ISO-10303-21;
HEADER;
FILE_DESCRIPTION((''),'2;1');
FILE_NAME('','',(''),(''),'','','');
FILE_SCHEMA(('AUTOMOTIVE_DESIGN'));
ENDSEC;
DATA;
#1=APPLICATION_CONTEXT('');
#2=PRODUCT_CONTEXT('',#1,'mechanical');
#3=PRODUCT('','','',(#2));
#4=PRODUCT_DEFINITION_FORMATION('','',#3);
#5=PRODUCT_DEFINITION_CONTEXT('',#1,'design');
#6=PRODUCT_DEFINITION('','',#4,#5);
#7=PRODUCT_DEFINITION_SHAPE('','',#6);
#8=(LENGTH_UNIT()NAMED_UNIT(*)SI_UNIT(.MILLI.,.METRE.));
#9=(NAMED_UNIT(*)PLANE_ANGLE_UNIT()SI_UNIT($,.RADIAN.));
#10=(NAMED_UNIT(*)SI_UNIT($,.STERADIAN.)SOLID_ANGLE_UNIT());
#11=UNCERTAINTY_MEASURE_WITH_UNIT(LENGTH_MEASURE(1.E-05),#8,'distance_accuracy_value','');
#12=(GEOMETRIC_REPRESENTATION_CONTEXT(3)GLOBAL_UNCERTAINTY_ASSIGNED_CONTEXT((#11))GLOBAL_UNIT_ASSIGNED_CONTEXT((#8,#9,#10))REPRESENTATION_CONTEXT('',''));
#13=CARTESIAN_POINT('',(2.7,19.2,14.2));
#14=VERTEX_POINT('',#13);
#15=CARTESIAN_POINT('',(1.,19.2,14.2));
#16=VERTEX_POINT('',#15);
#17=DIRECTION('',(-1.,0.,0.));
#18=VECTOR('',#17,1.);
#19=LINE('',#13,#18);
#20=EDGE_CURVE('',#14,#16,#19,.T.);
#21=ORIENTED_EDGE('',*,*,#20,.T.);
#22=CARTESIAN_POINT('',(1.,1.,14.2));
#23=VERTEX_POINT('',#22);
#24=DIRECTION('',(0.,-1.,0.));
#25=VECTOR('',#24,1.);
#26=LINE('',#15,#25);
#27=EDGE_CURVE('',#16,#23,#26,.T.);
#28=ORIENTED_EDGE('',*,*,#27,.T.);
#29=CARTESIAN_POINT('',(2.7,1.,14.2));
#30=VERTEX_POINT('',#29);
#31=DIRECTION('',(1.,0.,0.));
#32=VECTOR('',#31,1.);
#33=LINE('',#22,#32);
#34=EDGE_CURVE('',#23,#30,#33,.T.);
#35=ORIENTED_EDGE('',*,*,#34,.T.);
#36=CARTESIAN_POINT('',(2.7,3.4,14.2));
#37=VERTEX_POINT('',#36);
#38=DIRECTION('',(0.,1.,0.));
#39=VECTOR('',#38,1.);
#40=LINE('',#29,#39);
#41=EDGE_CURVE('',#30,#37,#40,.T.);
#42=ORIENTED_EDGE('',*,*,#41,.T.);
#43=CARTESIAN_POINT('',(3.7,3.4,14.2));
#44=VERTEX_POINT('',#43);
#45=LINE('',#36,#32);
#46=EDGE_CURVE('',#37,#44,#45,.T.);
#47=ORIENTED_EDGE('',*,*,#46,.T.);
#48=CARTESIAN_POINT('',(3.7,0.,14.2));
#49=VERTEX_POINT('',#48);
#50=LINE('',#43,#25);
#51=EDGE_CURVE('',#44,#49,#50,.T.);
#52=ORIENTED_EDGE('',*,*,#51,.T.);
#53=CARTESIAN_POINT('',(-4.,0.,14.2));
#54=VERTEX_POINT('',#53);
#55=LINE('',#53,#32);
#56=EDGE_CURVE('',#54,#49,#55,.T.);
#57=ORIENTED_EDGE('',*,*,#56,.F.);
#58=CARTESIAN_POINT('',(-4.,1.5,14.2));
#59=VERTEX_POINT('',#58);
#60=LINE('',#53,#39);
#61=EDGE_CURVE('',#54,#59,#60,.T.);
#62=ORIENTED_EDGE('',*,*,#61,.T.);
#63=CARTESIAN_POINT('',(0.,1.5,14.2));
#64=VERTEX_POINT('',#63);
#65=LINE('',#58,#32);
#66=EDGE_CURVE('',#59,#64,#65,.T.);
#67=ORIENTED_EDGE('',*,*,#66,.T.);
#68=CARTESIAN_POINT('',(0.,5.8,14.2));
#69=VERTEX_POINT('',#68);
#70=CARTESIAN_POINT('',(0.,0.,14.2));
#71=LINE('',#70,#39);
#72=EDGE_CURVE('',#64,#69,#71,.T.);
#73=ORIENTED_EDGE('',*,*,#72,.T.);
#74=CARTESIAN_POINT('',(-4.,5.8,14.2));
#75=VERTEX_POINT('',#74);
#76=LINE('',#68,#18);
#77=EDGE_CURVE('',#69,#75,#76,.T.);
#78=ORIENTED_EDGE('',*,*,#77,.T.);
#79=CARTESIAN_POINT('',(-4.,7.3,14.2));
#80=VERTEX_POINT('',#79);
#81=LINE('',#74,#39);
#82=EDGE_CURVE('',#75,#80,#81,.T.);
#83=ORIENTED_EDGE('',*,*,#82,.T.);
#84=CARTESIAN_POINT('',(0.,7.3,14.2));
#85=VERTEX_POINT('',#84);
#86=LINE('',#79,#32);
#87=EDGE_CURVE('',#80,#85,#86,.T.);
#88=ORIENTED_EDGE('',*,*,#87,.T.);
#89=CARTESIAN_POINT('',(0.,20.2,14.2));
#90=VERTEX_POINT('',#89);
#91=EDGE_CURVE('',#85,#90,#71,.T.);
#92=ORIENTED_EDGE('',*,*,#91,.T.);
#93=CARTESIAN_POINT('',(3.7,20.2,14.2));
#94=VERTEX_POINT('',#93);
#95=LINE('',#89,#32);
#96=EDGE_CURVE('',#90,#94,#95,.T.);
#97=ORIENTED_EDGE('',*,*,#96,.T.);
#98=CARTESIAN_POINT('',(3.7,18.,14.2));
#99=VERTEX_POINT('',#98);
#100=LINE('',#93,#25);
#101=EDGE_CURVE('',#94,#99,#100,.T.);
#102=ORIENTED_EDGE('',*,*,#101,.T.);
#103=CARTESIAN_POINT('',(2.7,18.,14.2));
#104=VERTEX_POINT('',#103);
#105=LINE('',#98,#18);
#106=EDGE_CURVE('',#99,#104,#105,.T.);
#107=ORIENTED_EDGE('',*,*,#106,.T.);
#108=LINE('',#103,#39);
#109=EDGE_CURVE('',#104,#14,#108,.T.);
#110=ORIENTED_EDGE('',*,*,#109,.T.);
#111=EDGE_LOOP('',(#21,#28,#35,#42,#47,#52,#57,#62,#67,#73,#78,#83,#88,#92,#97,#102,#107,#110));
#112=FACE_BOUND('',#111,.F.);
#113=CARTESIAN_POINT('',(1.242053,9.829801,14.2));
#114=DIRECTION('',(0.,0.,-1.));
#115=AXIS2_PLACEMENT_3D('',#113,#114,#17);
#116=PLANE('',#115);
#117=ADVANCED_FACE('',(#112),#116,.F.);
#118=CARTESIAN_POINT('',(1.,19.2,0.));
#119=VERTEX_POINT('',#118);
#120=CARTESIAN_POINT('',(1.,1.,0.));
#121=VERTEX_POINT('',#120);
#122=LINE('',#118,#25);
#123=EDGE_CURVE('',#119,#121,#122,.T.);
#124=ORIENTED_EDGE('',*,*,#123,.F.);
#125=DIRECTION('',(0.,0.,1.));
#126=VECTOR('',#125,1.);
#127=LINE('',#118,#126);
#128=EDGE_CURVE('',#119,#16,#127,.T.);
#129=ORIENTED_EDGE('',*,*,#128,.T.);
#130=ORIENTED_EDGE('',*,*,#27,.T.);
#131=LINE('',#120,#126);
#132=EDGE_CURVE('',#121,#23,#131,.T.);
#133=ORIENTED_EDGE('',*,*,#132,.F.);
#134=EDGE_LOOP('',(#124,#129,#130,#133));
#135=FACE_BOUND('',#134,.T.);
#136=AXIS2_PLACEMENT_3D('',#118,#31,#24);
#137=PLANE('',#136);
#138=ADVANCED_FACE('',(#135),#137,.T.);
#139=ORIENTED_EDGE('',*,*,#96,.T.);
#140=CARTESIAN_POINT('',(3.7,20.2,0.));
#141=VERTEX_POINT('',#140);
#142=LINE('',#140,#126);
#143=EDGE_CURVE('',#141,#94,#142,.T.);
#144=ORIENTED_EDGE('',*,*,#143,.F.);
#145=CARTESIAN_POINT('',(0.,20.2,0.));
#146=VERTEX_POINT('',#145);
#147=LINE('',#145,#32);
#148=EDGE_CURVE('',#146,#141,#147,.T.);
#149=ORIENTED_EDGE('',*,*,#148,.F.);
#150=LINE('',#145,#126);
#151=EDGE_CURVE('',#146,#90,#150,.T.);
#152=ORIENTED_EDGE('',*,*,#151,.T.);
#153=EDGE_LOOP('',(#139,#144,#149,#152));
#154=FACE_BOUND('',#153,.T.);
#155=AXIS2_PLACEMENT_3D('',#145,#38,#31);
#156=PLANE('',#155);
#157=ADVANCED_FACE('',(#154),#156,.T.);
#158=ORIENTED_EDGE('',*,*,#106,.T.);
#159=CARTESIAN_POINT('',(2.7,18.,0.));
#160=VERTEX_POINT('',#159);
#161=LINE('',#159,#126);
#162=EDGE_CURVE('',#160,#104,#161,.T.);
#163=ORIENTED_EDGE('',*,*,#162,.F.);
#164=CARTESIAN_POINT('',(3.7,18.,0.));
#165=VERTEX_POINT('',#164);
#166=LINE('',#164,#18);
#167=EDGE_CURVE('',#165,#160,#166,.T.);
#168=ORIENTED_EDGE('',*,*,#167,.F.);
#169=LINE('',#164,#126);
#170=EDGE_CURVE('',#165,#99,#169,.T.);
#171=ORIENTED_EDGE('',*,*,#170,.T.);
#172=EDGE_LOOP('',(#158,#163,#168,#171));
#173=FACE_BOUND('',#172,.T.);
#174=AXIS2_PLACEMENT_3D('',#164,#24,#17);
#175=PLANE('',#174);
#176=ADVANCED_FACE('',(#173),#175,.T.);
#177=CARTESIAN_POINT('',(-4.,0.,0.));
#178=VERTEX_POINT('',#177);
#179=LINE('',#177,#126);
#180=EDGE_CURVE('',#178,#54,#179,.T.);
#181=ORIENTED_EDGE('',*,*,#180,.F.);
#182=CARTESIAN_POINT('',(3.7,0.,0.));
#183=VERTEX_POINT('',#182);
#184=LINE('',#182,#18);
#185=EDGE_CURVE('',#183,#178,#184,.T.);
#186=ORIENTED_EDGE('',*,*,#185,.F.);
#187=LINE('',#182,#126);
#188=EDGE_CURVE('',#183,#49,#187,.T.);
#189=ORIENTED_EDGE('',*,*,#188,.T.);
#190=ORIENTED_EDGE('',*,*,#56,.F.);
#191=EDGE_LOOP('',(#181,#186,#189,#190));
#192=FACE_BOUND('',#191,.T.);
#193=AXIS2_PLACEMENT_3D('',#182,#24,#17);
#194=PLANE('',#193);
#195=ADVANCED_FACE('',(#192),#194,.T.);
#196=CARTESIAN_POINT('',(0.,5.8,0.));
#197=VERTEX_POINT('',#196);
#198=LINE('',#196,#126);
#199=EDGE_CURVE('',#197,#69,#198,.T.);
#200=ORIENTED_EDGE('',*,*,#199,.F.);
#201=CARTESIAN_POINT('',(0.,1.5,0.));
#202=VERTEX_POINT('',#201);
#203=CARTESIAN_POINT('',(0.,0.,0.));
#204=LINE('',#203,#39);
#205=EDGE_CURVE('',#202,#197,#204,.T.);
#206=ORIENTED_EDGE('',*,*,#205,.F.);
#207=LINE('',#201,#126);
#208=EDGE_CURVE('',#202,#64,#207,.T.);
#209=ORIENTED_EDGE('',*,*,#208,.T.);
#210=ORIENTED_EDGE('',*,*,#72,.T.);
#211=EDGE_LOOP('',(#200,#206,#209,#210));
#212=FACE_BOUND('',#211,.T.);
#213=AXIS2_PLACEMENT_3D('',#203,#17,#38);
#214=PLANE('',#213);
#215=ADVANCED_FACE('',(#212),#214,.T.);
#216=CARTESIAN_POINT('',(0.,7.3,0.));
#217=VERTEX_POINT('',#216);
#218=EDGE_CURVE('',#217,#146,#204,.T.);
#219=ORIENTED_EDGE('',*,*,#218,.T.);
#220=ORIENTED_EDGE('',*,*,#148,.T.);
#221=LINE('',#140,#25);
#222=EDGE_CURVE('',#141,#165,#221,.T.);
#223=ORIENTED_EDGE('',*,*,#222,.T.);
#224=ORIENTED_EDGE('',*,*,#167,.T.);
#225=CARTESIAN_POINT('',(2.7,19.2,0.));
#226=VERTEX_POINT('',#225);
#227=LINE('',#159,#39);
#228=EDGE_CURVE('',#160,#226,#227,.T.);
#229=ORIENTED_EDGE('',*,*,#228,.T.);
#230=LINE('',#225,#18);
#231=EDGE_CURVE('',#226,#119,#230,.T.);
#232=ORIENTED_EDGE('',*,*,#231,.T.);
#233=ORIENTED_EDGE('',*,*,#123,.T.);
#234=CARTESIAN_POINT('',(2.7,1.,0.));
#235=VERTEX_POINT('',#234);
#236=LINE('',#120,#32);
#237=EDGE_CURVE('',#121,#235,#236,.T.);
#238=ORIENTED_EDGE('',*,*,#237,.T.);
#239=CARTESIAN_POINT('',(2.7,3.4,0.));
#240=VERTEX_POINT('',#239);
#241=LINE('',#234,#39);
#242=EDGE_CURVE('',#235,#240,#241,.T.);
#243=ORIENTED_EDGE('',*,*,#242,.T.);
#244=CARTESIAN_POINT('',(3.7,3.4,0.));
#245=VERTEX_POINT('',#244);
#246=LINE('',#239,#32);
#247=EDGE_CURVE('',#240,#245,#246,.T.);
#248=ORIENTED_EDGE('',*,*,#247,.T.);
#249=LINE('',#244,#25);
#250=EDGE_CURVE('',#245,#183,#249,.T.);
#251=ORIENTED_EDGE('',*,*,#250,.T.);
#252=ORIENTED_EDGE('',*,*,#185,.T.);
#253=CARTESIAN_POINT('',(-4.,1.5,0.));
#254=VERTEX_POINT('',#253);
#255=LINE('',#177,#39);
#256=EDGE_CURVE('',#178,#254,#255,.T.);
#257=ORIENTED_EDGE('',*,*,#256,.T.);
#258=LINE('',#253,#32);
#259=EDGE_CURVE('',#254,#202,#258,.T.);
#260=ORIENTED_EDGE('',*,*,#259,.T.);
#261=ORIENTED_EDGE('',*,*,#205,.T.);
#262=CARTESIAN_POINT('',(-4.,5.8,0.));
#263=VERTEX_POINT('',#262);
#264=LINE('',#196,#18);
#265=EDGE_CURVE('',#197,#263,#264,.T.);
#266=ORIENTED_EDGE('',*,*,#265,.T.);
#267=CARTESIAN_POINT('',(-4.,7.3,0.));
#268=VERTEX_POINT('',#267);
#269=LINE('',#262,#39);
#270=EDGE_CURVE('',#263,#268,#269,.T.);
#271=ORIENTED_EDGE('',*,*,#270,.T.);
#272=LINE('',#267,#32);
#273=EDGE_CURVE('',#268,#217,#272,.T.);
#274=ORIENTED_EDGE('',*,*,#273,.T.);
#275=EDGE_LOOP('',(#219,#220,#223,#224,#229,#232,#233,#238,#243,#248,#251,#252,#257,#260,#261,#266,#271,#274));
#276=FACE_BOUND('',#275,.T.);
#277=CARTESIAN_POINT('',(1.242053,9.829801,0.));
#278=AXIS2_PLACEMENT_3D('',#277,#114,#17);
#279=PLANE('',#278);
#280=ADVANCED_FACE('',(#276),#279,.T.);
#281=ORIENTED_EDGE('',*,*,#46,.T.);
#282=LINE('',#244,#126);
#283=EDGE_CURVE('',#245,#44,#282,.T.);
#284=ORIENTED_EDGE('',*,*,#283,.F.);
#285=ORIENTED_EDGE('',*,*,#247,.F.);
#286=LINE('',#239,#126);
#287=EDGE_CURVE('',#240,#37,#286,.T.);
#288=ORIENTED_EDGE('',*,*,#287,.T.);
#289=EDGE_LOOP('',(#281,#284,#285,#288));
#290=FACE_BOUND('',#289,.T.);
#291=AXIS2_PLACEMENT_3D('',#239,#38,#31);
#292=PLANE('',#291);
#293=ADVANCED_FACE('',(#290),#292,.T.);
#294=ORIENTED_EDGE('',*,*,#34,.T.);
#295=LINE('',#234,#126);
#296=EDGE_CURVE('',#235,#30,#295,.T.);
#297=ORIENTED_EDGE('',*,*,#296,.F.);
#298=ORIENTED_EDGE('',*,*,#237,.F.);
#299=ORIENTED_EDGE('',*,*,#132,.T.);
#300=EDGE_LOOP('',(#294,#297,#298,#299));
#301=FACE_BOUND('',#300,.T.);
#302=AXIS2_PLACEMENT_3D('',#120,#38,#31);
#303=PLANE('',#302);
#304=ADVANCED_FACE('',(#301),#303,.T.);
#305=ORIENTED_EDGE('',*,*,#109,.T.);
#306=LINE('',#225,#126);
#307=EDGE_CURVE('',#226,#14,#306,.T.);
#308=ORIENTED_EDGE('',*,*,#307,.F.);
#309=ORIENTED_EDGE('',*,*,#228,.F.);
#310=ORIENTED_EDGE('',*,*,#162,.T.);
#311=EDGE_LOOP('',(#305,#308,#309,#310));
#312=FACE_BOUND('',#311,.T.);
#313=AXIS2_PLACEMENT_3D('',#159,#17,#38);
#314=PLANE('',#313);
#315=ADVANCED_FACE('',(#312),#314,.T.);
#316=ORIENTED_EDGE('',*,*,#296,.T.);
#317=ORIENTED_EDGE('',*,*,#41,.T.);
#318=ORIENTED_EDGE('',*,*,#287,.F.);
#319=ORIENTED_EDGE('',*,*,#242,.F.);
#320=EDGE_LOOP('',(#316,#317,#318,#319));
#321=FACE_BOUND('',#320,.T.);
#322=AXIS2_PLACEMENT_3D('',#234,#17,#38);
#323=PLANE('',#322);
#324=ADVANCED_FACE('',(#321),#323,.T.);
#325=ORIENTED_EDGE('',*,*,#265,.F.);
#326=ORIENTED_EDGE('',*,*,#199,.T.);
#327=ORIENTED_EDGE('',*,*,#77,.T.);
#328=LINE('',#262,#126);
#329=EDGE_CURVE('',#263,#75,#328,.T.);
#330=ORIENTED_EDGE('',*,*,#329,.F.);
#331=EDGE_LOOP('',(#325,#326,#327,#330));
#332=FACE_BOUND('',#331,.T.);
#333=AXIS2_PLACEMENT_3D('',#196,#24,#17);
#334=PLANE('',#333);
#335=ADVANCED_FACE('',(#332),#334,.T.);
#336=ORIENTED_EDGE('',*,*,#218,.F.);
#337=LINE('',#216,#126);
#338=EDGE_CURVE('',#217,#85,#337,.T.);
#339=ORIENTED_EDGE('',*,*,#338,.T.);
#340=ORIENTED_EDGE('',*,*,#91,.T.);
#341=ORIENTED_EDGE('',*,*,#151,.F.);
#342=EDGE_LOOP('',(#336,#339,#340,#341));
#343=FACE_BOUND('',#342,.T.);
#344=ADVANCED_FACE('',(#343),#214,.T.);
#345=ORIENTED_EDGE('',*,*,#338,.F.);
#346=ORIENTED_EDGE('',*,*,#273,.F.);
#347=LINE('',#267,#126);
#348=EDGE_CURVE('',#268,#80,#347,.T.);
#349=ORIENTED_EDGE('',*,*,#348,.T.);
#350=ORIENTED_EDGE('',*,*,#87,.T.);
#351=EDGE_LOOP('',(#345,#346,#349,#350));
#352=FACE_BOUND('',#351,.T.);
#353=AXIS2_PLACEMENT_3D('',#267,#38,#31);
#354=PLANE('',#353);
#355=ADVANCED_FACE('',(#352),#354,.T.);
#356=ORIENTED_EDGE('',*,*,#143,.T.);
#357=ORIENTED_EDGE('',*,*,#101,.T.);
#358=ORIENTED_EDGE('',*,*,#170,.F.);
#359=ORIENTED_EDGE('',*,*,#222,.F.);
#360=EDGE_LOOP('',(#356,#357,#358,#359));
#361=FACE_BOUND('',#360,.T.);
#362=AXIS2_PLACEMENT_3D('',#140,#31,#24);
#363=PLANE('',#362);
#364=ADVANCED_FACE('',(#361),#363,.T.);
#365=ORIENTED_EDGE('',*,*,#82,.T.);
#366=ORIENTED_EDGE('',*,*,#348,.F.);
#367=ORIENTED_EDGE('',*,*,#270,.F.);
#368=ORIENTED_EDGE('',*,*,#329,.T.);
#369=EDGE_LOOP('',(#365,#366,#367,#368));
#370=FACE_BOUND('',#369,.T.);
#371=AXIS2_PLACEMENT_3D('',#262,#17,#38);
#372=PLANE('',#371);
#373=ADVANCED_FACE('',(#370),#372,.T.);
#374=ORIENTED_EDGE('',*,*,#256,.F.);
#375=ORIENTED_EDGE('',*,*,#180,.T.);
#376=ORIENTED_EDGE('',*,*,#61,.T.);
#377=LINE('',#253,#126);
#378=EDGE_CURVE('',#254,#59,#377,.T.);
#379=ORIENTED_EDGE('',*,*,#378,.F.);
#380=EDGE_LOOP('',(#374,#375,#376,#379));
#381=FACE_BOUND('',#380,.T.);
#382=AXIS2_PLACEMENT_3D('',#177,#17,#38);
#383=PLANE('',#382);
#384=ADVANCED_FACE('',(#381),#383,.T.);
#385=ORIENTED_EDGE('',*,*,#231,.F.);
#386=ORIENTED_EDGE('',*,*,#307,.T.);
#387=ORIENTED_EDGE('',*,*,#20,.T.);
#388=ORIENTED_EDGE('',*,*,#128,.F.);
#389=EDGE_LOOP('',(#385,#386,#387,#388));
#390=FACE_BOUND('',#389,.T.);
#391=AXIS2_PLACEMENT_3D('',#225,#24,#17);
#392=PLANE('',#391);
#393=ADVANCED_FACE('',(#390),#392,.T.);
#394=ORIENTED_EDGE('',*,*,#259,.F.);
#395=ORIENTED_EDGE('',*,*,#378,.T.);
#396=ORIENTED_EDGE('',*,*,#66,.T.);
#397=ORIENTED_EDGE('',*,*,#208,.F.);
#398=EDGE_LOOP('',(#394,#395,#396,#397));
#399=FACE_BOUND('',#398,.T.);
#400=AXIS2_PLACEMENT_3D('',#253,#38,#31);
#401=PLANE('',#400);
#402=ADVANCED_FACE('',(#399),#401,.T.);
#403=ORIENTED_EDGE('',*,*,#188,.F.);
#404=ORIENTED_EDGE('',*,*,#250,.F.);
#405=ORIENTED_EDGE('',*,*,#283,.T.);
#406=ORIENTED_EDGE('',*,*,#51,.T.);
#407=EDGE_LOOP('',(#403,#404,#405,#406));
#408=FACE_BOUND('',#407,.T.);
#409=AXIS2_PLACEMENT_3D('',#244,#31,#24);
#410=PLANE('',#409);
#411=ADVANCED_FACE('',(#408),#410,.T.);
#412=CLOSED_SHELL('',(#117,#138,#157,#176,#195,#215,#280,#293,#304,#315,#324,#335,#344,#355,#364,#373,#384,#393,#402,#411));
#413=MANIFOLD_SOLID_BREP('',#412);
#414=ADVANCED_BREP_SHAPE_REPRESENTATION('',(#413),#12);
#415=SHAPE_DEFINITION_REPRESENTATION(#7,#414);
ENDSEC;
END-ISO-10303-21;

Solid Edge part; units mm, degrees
sketch "Sketch1" plane through (0, 0, 0) normal (0, 0, 1) x (1, 0, 0)
  line L0 (3.7, 18) -> (2.7, 18)
  line L1 (2.7, 18) -> (2.7, 19.2)
  line L2 (2.7, 19.2) -> (1, 19.2)
  line L3 (1, 19.2) -> (1, 1)
  line L4 (1, 1) -> (2.7, 1)
  line L5 (2.7, 1) -> (2.7, 3.4)
  line L6 (2.7, 3.4) -> (3.7, 3.4)
  line L7 (3.7, 3.4) -> (3.7, 0)
  line L8 (3.7, 0) -> (0, 0)
  line L9 (0, 0) -> (0, 20.2)
  line L10 (0, 20.2) -> (3.7, 20.2)
  line L11 (3.7, 20.2) -> (3.7, 18)
extrude "Protrusion1" add sketch "Sketch1" along normal blind 14.2
sketch "Sketch2" plane through (0, 0, 0) normal (0, 0, -1) x (-1, 0, 0)
  line L0 (4, 5.8) -> (4, 7.3)
  line L1 (4, 7.3) -> (0, 7.3)
  line L2 (0, 7.3) -> (0, 5.8)
  line L3 (0, 5.8) -> (4, 5.8)
  line L4 (4, 1.5) -> (0, 1.5)
  line L5 (0, 1.5) -> (0, 0)
  line L6 (0, 0) -> (4, 0)
  line L7 (4, 0) -> (4, 1.5)
  dimension "D1" = 4
  dimension "D2" = 1.5
  dimension "D3" = 4.3
extrude "Protrusion2" add sketch "Sketch2" against normal up to surface (14.2 mm away)
